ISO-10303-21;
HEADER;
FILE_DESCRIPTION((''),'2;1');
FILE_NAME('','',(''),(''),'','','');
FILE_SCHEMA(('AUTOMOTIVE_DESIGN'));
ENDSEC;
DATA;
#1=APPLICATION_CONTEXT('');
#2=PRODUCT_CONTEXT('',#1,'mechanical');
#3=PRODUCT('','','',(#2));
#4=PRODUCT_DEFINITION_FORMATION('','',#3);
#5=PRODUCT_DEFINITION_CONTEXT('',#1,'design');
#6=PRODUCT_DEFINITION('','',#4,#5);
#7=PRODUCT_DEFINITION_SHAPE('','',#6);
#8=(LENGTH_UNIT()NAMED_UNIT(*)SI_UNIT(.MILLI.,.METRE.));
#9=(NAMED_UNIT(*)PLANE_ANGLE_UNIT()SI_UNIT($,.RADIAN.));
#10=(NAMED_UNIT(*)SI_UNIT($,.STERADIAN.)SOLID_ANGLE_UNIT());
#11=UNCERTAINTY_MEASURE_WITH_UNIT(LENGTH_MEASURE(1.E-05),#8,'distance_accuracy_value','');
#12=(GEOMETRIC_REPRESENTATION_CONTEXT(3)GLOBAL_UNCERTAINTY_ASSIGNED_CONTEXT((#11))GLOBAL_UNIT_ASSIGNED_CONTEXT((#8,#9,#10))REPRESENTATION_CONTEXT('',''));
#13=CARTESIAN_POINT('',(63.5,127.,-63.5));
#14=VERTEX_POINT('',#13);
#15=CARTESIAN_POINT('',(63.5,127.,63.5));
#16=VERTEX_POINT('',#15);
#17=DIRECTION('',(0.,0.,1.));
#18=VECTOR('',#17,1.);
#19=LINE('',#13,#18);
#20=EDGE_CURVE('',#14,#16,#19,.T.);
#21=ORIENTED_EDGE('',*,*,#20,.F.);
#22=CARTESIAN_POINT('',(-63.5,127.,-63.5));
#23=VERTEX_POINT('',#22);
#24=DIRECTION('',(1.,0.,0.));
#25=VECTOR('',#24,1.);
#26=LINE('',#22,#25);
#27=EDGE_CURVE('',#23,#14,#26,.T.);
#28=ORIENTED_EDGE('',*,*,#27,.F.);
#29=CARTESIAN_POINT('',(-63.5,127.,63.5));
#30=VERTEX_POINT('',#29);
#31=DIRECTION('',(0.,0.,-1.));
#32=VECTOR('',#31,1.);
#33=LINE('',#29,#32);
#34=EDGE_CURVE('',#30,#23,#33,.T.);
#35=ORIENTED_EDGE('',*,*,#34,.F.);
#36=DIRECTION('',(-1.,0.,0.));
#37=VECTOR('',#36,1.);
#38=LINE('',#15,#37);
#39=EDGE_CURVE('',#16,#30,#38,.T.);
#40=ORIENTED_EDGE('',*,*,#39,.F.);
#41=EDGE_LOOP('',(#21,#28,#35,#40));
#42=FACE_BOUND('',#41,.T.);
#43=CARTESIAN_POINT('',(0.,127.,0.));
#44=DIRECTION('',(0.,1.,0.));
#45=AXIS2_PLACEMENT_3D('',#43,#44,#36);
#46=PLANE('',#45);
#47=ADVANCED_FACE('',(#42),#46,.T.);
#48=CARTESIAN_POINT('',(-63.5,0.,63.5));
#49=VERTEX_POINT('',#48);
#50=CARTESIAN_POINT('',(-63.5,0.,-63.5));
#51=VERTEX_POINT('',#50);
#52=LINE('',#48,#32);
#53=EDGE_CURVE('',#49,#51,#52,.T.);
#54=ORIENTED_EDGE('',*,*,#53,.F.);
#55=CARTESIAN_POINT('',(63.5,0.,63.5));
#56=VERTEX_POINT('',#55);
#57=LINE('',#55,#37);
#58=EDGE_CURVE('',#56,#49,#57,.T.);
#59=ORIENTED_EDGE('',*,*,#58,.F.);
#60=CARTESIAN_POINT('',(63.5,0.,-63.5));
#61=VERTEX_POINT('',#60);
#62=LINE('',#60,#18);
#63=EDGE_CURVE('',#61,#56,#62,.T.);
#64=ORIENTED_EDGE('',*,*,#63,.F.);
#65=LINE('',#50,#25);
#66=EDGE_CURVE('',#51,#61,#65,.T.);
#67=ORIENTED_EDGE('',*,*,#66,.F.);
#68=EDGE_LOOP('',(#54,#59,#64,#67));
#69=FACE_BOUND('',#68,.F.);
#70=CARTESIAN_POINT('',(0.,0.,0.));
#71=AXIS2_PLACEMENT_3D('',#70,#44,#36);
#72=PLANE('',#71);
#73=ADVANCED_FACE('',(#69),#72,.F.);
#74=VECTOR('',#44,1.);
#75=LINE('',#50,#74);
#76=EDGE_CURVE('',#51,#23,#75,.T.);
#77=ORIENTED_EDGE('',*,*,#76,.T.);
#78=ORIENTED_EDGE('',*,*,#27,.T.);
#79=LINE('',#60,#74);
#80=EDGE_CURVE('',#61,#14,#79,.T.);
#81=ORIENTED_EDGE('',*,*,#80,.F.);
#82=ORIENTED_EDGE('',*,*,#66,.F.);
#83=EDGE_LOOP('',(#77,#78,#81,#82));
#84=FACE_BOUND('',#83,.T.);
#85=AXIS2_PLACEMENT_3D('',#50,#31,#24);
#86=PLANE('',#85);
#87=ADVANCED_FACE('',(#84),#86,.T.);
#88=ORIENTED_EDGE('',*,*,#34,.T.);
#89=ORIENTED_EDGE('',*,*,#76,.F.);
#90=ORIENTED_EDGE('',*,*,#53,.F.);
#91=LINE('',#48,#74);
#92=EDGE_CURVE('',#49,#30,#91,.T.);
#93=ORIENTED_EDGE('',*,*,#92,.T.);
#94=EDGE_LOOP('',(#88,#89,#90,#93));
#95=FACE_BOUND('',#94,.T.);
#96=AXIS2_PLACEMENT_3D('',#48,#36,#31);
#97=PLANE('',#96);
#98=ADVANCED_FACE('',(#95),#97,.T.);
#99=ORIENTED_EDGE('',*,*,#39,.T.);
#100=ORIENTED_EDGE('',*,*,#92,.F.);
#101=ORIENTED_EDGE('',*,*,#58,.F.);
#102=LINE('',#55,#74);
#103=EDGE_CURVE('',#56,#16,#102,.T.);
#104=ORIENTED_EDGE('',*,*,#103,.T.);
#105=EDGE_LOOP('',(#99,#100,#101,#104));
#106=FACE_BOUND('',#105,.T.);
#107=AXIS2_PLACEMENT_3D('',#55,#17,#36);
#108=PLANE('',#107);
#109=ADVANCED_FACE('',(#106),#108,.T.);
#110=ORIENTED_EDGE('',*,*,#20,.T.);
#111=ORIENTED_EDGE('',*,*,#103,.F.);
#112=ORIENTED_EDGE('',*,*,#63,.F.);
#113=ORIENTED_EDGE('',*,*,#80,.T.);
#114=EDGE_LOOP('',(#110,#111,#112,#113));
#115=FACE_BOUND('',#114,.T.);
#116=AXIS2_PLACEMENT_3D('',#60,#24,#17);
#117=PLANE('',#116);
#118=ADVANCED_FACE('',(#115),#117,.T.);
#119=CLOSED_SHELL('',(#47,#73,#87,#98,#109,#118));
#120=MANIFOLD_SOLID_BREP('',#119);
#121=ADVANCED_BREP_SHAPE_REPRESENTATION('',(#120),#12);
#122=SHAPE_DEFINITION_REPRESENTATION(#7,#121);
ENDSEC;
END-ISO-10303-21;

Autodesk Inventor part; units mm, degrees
ref_plane "YZ Plane" through (0, 0, 0) normal (1, 0, 0) x (0, 1, 0)
ref_plane "XZ Plane" through (0, 0, 0) normal (0, 1, 0) x (-1, 0, 0)
ref_plane "XY Plane" through (0, 0, 0) normal (0, 0, 1) x (1, 0, 0)
sketch "Sketch1" plane through (0, 0, 0) normal (0, 1, 0) x (-1, 0, 0)
  line L0 (-63.5, 63.5) -> (63.5, 63.5)
  line L1 (63.5, 63.5) -> (63.5, -63.5)
  line L2 (63.5, -63.5) -> (-63.5, -63.5)
  line L3 (-63.5, -63.5) -> (-63.5, 63.5)
  line L4 (-63.5, 63.5) -> (63.5, -63.5) construction
  line L5 (63.5, 63.5) -> (-63.5, -63.5) construction
  point P0 (0, 0)
  dimension "d0" = 127
  dimension "d1" = 127
extrude "Extrusion1" add sketch "Sketch1" along normal blind 127
properties part number "BX11111"
